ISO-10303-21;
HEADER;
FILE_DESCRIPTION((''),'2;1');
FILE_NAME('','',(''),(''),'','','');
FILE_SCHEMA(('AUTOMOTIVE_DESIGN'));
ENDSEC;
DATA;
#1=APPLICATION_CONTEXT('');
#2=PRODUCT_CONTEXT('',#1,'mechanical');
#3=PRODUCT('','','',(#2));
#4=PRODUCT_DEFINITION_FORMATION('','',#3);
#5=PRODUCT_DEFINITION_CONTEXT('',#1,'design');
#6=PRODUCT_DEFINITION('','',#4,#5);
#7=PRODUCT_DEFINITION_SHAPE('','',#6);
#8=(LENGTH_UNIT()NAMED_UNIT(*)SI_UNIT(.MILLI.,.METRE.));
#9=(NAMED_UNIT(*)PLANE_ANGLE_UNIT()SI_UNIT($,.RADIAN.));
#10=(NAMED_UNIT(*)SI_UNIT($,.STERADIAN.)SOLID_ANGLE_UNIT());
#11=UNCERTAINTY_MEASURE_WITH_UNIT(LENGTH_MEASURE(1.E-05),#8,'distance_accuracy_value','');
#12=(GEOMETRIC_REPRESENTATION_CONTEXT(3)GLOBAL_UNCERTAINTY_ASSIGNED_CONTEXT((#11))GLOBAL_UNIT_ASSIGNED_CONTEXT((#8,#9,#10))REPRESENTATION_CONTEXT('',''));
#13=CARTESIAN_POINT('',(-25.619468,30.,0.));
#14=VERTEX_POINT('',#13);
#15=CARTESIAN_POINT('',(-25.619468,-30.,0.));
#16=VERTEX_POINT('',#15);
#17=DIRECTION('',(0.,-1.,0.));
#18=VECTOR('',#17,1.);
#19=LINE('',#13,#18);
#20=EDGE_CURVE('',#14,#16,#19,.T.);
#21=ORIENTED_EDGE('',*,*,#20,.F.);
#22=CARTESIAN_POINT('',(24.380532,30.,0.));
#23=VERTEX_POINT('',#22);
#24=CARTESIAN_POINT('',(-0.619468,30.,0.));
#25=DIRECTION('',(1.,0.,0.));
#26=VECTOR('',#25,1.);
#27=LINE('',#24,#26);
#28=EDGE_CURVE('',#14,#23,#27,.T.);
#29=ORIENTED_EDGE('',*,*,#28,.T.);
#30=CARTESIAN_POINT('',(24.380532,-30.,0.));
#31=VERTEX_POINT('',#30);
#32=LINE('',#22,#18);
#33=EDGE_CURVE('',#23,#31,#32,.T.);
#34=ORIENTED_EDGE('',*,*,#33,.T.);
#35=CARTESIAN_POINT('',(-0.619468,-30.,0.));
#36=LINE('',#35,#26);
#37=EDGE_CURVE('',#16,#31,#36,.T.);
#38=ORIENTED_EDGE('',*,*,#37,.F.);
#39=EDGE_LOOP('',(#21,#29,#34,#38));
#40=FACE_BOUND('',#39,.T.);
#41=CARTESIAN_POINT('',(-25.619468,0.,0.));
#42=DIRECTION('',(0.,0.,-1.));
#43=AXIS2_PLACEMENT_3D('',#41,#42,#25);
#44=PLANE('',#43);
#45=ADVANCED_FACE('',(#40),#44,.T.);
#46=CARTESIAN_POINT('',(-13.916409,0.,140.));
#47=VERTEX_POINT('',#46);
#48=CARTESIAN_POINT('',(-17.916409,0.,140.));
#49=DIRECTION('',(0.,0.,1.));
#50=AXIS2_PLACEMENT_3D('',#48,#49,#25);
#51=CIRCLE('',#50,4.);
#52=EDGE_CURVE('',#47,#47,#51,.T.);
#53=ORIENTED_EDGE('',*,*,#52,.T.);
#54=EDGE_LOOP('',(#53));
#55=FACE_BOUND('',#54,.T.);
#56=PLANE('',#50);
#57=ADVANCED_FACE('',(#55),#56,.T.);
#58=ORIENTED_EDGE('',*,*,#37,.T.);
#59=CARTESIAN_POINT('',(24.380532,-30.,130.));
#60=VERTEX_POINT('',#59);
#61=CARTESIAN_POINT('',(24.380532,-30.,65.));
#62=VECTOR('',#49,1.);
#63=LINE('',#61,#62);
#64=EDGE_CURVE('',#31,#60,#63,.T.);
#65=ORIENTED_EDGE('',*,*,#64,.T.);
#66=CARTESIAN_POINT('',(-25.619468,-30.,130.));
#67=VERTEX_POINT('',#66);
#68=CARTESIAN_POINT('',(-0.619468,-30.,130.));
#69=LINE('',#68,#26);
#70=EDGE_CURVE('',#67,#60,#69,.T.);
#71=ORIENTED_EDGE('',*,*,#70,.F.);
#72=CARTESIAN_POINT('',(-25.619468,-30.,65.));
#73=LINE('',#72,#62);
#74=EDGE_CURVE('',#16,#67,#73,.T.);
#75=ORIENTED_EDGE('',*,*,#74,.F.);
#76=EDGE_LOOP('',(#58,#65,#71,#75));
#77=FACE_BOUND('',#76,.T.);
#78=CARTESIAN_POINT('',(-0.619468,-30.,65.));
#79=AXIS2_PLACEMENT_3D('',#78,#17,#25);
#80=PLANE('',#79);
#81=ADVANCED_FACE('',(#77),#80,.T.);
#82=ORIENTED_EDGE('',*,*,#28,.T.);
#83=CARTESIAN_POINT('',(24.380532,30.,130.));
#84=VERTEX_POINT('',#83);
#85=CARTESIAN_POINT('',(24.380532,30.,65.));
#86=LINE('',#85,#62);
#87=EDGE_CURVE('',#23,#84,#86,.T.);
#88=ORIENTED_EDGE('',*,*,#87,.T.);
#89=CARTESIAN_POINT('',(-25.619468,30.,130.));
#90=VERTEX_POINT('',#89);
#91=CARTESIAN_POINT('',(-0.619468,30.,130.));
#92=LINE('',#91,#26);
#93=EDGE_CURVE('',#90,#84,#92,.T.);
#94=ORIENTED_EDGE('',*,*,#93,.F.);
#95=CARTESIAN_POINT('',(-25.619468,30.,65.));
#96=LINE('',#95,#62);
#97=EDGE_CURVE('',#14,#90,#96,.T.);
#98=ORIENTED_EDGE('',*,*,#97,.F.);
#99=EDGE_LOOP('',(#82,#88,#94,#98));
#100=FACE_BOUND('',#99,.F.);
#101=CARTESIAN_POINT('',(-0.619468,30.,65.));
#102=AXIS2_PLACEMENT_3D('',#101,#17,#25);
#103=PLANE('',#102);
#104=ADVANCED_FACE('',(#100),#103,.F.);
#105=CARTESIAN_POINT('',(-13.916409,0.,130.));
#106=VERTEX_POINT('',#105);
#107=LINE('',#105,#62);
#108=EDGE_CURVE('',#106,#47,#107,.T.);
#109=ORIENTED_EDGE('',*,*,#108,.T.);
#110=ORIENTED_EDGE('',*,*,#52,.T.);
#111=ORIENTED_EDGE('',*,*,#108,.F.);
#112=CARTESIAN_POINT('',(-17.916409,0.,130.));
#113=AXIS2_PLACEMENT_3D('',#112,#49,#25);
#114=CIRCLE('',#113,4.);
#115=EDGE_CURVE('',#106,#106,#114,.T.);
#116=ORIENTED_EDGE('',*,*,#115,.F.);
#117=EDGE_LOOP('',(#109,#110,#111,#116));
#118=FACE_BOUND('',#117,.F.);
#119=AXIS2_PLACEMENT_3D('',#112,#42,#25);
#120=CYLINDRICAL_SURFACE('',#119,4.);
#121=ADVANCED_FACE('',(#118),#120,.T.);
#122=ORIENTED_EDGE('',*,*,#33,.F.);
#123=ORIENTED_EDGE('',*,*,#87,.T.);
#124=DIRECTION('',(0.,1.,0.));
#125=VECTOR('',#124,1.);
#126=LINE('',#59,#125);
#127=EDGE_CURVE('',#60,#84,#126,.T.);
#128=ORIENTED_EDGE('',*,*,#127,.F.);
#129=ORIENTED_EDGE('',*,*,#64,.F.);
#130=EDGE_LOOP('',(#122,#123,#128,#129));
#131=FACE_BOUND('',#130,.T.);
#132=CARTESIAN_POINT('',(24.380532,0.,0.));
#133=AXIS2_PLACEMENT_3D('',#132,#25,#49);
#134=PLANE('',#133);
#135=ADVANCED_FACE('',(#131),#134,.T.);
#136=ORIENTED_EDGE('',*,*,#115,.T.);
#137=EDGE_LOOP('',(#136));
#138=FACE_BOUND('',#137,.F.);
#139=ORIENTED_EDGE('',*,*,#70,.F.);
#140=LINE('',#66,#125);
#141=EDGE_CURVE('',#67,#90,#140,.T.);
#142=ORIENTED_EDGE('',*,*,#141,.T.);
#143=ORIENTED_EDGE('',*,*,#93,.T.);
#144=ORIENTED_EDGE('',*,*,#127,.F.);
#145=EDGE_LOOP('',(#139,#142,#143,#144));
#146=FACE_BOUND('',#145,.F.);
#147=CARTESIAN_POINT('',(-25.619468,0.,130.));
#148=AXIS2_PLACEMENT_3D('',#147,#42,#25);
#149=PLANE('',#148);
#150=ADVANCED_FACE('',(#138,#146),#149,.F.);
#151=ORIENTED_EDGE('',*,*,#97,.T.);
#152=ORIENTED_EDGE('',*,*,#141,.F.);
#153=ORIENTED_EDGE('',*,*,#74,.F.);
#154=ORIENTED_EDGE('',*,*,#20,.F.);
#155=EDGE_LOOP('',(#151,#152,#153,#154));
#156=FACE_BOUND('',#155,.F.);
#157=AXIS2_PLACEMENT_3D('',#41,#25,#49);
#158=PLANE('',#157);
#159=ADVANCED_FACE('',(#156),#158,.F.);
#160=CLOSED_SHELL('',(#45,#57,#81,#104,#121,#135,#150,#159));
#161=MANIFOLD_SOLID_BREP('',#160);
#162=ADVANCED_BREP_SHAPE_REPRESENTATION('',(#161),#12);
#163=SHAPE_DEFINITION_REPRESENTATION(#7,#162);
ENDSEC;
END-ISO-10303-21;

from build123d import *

# Parameters (mm, degrees)
F0_W          = 50
F0_H          = 130
F1_DEPTH      = 30
F1_DEPTH_BACK = 30
F2_R          = 4
F3_DEPTH      = 10


with BuildPart() as f1:
    # F0 (on Front) → F1 (new body, two sides)
    with BuildSketch(Plane.XZ) as f1_sk:
        with Locations((-0.619468, 65)):
            Rectangle(F0_W, F0_H)
    extrude(amount=F1_DEPTH)
    extrude(f1_sk.sketch, amount=-F1_DEPTH_BACK)

    # F2 (on face) → F3 (join)
    with BuildSketch(Plane.XY.offset(130)):
        with Locations((-17.916409, 0)):
            Circle(F2_R)
    extrude(amount=F3_DEPTH)


solid = f1.part
